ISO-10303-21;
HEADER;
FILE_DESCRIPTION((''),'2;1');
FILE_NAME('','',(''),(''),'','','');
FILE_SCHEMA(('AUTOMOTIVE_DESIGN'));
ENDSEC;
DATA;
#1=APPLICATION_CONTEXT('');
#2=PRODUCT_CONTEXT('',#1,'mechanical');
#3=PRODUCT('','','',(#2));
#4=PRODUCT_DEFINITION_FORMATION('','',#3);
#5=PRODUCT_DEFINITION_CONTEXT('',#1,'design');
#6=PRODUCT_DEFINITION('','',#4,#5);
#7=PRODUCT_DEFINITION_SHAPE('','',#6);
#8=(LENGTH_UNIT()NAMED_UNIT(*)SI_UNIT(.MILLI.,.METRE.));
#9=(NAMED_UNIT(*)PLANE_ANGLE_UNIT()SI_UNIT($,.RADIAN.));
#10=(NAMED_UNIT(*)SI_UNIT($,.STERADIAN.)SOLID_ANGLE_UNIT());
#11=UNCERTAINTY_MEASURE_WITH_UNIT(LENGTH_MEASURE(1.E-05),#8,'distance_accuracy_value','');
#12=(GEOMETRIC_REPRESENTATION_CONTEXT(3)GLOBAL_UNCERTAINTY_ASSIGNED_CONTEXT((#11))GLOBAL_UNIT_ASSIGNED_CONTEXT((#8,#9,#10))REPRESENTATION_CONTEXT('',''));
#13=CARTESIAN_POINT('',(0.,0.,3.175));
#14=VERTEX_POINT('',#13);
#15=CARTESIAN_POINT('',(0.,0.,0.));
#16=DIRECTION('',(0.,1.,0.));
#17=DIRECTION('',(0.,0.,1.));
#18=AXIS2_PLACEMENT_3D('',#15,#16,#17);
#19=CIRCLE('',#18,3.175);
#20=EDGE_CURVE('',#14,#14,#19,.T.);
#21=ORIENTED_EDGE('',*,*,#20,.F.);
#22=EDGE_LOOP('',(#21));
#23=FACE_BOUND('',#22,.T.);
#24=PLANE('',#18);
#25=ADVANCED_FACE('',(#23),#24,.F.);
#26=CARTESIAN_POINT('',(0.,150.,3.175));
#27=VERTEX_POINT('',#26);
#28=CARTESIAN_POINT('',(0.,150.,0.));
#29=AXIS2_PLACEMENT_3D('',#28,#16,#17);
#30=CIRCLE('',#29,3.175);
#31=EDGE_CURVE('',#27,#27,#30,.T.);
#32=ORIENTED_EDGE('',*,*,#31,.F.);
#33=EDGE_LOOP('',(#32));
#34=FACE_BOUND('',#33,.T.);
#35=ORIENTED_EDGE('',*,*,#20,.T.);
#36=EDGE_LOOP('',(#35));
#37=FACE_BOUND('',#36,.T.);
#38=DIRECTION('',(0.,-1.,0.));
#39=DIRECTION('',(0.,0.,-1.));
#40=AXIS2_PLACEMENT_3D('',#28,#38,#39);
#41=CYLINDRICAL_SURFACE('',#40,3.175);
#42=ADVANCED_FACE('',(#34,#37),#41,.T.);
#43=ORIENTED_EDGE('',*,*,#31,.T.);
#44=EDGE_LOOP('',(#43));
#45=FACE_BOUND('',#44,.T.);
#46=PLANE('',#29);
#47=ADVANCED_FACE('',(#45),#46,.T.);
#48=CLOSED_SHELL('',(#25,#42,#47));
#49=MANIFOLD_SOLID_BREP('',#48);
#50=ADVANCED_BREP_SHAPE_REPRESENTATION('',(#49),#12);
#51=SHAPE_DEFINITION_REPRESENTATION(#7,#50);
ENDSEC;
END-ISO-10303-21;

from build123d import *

# Parameters (mm, degrees)
ESBO_O1_R                = 3.175
RESSALTO_EXTRUS_O1_DEPTH = 150


with BuildPart() as part:
    # Esboço1 → Ressalto-extrusão1 (new body)
    with BuildSketch(Plane(origin=(0, 0, 0), x_dir=(1, 0, 0), z_dir=(0, 1, 0))):
        with Locations(Location((0, 0, 0), (0, 0, 270))):
            Circle(ESBO_O1_R)
    extrude(amount=RESSALTO_EXTRUS_O1_DEPTH)


solid = part.part
